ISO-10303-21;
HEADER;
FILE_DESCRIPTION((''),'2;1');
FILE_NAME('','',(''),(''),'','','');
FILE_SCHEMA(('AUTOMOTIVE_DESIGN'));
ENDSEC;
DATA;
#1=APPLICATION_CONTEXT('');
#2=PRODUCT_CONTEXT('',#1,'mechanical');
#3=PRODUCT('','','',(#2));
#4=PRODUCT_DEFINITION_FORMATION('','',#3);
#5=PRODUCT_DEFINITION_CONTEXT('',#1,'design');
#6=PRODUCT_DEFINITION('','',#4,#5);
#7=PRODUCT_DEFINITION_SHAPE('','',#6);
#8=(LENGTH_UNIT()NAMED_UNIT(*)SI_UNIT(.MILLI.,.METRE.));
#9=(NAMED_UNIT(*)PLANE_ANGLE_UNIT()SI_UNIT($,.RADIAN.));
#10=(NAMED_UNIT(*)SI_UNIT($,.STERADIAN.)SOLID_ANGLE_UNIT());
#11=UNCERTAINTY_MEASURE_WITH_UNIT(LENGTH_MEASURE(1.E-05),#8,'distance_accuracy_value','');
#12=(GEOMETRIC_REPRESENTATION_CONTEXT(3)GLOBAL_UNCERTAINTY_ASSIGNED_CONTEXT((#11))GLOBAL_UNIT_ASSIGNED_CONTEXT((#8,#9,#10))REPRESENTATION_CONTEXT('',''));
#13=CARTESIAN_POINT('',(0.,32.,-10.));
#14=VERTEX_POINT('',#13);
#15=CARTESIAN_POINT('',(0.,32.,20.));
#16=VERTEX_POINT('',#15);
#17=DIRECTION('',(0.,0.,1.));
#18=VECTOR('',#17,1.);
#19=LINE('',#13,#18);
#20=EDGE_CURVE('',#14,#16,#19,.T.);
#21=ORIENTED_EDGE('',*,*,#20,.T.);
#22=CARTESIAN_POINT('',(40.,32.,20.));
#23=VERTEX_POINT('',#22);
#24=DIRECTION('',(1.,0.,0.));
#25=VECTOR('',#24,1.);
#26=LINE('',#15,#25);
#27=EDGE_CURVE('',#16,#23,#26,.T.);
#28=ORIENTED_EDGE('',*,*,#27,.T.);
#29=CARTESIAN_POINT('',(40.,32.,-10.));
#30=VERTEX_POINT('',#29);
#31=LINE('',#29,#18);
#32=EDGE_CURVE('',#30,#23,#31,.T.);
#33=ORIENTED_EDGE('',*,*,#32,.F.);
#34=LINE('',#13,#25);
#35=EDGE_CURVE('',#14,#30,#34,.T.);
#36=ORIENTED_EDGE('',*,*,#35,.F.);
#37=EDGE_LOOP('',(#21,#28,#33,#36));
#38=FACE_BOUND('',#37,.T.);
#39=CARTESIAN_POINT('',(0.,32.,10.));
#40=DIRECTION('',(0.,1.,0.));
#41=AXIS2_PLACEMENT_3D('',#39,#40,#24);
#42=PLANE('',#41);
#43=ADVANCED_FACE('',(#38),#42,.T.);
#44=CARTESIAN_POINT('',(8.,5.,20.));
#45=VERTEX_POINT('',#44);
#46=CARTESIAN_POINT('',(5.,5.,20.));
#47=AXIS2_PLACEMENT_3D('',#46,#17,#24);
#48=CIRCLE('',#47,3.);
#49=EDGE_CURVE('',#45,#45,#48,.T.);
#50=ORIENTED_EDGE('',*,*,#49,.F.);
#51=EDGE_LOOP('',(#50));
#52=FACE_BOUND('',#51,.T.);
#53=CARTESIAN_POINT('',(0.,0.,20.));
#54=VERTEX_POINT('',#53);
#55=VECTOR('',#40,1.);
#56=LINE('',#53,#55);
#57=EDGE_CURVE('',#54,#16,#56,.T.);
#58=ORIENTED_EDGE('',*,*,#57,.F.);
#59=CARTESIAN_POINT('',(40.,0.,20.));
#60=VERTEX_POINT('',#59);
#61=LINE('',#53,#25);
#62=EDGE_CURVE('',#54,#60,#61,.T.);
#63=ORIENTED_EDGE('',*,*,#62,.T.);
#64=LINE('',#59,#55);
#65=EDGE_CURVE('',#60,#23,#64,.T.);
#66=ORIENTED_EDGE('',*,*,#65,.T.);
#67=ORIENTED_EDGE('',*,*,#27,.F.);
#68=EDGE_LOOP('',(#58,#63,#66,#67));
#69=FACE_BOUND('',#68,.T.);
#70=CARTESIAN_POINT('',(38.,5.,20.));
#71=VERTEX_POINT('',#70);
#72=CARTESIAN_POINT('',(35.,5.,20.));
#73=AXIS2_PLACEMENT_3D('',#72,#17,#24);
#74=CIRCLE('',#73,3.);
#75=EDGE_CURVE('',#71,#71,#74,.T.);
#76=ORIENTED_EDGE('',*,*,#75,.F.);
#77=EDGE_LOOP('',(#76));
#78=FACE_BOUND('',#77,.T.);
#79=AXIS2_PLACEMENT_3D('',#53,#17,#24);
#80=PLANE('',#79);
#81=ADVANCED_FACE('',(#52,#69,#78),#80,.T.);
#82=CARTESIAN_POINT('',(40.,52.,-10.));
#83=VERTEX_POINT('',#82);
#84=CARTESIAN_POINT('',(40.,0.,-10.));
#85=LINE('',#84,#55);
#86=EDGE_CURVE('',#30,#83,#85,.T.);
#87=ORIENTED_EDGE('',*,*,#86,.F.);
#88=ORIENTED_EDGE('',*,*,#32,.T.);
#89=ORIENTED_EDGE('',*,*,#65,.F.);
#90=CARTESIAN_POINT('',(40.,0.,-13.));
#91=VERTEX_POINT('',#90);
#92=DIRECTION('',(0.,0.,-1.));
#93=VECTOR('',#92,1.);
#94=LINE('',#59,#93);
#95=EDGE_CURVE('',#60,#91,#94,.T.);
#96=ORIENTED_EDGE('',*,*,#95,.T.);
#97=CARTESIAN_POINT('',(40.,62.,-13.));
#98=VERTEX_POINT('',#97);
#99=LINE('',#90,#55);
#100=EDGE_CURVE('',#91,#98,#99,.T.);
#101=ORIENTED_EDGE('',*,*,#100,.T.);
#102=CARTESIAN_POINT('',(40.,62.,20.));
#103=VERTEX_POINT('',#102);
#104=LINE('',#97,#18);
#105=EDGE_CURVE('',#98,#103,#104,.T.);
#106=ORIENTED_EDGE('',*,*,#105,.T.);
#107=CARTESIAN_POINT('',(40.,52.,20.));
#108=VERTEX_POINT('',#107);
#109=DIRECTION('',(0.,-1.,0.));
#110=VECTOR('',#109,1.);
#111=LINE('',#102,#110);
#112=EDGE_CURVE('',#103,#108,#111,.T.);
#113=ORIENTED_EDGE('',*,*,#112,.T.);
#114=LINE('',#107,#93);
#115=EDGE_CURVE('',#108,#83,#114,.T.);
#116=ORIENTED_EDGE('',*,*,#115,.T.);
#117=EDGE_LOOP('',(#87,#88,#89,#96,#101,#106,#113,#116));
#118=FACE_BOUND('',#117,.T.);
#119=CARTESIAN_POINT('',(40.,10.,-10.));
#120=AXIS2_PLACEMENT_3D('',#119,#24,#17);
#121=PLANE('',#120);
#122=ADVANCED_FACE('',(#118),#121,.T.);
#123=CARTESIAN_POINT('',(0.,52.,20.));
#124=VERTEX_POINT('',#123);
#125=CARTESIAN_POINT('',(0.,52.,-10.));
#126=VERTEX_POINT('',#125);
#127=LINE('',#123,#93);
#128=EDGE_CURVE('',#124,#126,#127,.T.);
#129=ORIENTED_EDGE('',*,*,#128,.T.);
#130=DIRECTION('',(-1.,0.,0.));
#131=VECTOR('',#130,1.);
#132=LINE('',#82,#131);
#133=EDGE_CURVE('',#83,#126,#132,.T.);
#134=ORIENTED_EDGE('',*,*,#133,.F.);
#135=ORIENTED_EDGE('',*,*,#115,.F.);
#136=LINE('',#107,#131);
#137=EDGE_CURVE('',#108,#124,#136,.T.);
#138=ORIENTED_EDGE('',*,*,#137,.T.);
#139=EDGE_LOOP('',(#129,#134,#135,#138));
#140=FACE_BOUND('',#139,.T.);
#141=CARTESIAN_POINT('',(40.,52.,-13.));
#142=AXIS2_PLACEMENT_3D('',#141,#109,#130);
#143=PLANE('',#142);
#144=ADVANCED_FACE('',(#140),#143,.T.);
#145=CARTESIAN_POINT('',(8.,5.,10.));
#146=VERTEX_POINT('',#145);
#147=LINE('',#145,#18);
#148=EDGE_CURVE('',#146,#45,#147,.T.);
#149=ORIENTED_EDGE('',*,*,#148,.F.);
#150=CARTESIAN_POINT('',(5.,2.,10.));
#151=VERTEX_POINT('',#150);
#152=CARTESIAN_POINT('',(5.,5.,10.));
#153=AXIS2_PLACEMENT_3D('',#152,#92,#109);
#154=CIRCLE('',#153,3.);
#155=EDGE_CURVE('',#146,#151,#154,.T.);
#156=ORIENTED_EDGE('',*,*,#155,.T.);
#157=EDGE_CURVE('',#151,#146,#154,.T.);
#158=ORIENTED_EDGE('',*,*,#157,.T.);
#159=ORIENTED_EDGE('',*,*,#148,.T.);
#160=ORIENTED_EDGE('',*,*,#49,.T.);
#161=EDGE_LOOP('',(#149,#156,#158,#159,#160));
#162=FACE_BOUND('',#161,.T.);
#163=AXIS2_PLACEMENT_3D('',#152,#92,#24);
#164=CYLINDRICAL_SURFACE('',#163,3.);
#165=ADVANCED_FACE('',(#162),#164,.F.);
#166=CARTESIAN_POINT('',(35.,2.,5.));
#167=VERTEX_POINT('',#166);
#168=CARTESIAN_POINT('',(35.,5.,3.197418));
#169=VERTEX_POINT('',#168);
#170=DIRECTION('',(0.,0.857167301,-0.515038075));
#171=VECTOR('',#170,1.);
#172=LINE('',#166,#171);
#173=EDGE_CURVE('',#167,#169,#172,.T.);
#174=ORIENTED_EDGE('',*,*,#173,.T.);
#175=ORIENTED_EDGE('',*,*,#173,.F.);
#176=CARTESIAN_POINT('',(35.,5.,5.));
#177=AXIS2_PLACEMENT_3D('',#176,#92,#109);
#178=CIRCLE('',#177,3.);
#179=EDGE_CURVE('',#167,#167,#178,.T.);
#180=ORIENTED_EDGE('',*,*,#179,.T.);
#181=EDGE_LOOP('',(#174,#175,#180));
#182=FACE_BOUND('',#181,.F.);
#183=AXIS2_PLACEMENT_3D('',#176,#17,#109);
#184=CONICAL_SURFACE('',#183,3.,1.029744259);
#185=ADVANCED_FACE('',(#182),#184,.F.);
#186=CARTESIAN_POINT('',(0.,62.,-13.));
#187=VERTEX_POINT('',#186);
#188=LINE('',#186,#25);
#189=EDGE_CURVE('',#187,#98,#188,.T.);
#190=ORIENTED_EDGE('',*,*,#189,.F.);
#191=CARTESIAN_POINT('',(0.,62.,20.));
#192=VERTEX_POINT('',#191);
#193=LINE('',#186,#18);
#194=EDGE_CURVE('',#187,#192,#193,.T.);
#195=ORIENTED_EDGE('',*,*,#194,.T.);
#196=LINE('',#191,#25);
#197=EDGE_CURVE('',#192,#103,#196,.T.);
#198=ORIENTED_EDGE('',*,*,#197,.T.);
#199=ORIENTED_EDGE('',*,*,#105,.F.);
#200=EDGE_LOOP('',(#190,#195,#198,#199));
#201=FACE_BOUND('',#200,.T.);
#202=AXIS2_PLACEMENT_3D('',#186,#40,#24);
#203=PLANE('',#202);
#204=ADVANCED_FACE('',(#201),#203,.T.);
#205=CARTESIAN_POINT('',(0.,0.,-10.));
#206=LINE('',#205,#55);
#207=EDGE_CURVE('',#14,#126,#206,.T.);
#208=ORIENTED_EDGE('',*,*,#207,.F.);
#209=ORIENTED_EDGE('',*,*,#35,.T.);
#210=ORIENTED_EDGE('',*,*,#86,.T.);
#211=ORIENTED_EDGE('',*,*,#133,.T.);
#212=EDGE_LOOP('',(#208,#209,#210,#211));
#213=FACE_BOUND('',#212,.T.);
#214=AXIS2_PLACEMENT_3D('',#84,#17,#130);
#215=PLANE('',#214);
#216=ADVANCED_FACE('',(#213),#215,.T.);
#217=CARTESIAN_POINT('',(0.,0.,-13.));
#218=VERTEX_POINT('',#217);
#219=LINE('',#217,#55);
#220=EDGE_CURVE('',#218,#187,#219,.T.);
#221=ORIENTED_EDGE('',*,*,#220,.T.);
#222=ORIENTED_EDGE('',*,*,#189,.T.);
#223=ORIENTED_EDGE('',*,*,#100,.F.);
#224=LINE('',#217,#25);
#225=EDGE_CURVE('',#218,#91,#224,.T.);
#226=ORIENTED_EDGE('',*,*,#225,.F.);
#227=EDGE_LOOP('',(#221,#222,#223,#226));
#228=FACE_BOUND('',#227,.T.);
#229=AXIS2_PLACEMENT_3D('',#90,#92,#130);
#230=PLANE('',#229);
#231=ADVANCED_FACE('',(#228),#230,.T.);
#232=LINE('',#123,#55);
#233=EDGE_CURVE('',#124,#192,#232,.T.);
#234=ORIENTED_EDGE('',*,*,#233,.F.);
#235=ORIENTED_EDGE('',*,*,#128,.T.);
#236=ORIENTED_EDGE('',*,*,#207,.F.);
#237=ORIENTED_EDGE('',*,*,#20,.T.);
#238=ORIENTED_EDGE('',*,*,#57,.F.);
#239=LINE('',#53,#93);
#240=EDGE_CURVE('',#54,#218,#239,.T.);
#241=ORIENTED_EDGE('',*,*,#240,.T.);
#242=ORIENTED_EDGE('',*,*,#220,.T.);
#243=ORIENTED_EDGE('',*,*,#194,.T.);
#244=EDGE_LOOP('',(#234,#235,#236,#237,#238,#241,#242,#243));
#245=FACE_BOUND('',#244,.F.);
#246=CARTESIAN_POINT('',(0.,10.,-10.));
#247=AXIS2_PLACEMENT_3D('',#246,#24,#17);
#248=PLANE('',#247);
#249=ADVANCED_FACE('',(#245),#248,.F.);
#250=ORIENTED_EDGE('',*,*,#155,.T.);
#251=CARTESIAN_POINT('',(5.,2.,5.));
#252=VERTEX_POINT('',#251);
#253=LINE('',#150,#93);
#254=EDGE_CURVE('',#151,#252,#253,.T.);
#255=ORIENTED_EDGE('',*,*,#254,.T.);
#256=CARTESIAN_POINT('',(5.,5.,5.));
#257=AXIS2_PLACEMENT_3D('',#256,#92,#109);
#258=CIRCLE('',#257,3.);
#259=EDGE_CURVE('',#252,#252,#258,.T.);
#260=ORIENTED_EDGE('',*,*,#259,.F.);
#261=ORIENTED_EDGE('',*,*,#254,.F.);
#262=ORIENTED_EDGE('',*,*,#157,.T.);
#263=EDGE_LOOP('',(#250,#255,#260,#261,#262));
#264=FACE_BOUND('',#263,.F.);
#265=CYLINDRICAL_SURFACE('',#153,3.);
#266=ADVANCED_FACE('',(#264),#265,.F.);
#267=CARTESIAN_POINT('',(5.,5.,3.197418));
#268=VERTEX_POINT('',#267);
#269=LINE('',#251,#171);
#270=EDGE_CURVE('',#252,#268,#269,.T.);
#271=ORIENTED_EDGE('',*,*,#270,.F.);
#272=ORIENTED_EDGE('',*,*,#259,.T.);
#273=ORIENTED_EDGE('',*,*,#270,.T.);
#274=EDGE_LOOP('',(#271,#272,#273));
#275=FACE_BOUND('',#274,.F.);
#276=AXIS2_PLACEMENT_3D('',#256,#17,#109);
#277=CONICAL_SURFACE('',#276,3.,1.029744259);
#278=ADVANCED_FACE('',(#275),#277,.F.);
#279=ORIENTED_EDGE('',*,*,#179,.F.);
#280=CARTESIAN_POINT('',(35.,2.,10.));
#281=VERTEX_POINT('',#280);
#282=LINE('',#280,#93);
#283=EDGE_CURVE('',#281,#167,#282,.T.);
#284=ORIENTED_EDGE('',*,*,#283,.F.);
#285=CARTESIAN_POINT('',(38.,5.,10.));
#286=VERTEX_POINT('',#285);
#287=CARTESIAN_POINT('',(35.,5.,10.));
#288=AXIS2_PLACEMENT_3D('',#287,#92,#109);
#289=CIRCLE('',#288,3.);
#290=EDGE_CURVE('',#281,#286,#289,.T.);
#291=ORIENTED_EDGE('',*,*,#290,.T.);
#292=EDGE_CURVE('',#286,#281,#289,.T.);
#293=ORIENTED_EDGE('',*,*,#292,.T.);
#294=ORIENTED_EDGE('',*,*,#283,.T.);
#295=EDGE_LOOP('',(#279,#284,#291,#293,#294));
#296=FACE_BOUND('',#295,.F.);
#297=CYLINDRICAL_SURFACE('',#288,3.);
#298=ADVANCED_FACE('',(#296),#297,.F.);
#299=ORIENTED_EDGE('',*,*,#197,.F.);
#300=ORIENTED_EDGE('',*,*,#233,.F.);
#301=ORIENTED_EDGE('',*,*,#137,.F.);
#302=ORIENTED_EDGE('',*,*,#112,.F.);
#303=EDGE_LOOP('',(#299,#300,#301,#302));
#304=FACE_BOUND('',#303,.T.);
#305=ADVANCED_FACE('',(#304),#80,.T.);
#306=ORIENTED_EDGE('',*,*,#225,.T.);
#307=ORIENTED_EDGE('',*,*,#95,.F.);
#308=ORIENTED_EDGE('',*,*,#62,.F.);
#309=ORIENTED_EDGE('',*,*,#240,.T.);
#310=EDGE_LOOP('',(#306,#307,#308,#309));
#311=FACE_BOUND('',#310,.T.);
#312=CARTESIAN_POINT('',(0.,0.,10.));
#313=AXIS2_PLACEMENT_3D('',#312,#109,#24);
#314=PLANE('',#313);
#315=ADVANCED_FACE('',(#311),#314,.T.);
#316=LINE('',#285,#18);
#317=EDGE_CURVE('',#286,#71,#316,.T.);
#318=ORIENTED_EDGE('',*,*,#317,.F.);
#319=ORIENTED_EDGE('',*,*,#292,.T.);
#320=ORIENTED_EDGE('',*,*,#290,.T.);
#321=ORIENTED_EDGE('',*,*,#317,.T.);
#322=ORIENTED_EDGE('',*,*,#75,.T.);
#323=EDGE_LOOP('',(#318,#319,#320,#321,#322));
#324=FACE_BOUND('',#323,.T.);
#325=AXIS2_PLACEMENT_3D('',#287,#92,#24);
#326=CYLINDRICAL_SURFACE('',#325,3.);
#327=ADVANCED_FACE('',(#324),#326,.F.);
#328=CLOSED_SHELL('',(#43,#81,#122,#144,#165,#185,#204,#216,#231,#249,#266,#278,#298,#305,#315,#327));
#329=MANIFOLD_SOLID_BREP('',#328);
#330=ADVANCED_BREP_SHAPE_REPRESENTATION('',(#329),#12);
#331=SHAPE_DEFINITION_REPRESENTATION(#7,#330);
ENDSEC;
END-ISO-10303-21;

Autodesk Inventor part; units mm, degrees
ref_plane "YZ Plane" through (0, 0, 0) normal (1, 0, 0) x (0, 1, 0)
ref_plane "XZ Plane" through (0, 0, 0) normal (0, 1, 0) x (-1, 0, 0)
ref_plane "XY Plane" through (0, 0, 0) normal (0, 0, 1) x (1, 0, 0)
sketch "Sketch1" plane through (0, 0, 0) normal (0, 0, 1) x (1, 0, 0)
  line L0 (0, 0) -> (40, 0)
  line L1 (40, 0) -> (40, 10)
  line L2 (40, 10) -> (0, 10)
  line L3 (0, 10) -> (0, 0)
  dimension "d0" = 40
  dimension "d1" = 10
extrude "Extrusion1" add sketch "Sketch1" along normal blind 10
sketch "Sketch2" plane through (0, 0, 10) normal (0, 0, 1) x (1, 0, 0)
  line L0 (0, 10) -> (0, 0) projected
  line L1 (40, 10) -> (0, 10) projected
  point P0 (5, 5)
  point P1 (35, 5)
  dimension "d4" = 30
  dimension "d5" = 5
  dimension "d6" = 5
  dimension "d7" = 5
hole "Hole1" at (5, 5, 10) at (35, 5, 10) direction (0, 0, -1) diameter 6 depth 5 tip angle 118
sketch "Sketch3" plane through (0, 0, 0) normal (0, 0, -1) x (-1, 0, 0)
  line L0 (0, 0) -> (-40, 0) projected
  line L1 (0, 10) -> (0, 0) projected
  line L2 (-40, 10) -> (0, 10) projected
  line L3 (-40, 0) -> (-40, 10) projected
extrude "Extrusion2" add sketch "Sketch3" along normal blind 10
sketch "Sketch4" plane through (0, 0, 10) normal (0, -1, 0) x (1, 0, 0)
  line L0 (40, -20) -> (0, -20)
  line L1 (0, -20) -> (0, -23)
  line L2 (0, -23) -> (40, -23)
  line L3 (40, -23) -> (40, -20)
  point P0 (0, -10)
  dimension "d17" = 3
extrude "Extrusion3" add sketch "Sketch4" against normal blind 52
sketch "Sketch5" plane through (40, 0, -13) normal (0, 0, -1) x (-1, 0, 0)
  line L0 (0, 52) -> (40, 52)
  line L1 (40, 52) -> (40, 62)
  line L2 (40, 62) -> (0, 62)
  line L3 (0, 62) -> (0, 52)
  point P0 (40, 0)
  dimension "d20" = 10
extrude "Extrusion4" add sketch "Sketch5" against normal up to surface (23 mm away)
sketch "Sketch6" plane through (0, 10, 10) normal (0, 1, 0) x (1, 0, 0)
  line L0 (0, 20) -> (0, 0) projected
  line L1 (40, 0) -> (0, 0) projected
  line L2 (40, 20) -> (40, 0) projected
  line L3 (0, 20) -> (40, 20) projected
  point P0 (0, 10)
extrude "Extrusion5" add sketch "Sketch6" along normal blind 22
sketch "Sketch7" plane through (0, 0, 10) normal (0, 0, 1) x (1, 0, 0)
  circle A0 centre (5, 5) radius 3 projected
  circle A1 centre (35, 5) radius 3 projected
  line L0 (0, 0) -> (40, 0) projected
  line L1 (40, 0) -> (40, 32) projected
  line L2 (0, 32) -> (40, 32) projected
  line L3 (0, 0) -> (0, 32) projected
  line L4 (0, 52) -> (0, 62) projected
  line L5 (40, 52) -> (0, 52) projected
  line L6 (40, 62) -> (40, 52) projected
  line L7 (0, 62) -> (40, 62) projected
extrude "Extrusion6" add sketch "Sketch7" along normal blind 10
properties part number "rail mount"
